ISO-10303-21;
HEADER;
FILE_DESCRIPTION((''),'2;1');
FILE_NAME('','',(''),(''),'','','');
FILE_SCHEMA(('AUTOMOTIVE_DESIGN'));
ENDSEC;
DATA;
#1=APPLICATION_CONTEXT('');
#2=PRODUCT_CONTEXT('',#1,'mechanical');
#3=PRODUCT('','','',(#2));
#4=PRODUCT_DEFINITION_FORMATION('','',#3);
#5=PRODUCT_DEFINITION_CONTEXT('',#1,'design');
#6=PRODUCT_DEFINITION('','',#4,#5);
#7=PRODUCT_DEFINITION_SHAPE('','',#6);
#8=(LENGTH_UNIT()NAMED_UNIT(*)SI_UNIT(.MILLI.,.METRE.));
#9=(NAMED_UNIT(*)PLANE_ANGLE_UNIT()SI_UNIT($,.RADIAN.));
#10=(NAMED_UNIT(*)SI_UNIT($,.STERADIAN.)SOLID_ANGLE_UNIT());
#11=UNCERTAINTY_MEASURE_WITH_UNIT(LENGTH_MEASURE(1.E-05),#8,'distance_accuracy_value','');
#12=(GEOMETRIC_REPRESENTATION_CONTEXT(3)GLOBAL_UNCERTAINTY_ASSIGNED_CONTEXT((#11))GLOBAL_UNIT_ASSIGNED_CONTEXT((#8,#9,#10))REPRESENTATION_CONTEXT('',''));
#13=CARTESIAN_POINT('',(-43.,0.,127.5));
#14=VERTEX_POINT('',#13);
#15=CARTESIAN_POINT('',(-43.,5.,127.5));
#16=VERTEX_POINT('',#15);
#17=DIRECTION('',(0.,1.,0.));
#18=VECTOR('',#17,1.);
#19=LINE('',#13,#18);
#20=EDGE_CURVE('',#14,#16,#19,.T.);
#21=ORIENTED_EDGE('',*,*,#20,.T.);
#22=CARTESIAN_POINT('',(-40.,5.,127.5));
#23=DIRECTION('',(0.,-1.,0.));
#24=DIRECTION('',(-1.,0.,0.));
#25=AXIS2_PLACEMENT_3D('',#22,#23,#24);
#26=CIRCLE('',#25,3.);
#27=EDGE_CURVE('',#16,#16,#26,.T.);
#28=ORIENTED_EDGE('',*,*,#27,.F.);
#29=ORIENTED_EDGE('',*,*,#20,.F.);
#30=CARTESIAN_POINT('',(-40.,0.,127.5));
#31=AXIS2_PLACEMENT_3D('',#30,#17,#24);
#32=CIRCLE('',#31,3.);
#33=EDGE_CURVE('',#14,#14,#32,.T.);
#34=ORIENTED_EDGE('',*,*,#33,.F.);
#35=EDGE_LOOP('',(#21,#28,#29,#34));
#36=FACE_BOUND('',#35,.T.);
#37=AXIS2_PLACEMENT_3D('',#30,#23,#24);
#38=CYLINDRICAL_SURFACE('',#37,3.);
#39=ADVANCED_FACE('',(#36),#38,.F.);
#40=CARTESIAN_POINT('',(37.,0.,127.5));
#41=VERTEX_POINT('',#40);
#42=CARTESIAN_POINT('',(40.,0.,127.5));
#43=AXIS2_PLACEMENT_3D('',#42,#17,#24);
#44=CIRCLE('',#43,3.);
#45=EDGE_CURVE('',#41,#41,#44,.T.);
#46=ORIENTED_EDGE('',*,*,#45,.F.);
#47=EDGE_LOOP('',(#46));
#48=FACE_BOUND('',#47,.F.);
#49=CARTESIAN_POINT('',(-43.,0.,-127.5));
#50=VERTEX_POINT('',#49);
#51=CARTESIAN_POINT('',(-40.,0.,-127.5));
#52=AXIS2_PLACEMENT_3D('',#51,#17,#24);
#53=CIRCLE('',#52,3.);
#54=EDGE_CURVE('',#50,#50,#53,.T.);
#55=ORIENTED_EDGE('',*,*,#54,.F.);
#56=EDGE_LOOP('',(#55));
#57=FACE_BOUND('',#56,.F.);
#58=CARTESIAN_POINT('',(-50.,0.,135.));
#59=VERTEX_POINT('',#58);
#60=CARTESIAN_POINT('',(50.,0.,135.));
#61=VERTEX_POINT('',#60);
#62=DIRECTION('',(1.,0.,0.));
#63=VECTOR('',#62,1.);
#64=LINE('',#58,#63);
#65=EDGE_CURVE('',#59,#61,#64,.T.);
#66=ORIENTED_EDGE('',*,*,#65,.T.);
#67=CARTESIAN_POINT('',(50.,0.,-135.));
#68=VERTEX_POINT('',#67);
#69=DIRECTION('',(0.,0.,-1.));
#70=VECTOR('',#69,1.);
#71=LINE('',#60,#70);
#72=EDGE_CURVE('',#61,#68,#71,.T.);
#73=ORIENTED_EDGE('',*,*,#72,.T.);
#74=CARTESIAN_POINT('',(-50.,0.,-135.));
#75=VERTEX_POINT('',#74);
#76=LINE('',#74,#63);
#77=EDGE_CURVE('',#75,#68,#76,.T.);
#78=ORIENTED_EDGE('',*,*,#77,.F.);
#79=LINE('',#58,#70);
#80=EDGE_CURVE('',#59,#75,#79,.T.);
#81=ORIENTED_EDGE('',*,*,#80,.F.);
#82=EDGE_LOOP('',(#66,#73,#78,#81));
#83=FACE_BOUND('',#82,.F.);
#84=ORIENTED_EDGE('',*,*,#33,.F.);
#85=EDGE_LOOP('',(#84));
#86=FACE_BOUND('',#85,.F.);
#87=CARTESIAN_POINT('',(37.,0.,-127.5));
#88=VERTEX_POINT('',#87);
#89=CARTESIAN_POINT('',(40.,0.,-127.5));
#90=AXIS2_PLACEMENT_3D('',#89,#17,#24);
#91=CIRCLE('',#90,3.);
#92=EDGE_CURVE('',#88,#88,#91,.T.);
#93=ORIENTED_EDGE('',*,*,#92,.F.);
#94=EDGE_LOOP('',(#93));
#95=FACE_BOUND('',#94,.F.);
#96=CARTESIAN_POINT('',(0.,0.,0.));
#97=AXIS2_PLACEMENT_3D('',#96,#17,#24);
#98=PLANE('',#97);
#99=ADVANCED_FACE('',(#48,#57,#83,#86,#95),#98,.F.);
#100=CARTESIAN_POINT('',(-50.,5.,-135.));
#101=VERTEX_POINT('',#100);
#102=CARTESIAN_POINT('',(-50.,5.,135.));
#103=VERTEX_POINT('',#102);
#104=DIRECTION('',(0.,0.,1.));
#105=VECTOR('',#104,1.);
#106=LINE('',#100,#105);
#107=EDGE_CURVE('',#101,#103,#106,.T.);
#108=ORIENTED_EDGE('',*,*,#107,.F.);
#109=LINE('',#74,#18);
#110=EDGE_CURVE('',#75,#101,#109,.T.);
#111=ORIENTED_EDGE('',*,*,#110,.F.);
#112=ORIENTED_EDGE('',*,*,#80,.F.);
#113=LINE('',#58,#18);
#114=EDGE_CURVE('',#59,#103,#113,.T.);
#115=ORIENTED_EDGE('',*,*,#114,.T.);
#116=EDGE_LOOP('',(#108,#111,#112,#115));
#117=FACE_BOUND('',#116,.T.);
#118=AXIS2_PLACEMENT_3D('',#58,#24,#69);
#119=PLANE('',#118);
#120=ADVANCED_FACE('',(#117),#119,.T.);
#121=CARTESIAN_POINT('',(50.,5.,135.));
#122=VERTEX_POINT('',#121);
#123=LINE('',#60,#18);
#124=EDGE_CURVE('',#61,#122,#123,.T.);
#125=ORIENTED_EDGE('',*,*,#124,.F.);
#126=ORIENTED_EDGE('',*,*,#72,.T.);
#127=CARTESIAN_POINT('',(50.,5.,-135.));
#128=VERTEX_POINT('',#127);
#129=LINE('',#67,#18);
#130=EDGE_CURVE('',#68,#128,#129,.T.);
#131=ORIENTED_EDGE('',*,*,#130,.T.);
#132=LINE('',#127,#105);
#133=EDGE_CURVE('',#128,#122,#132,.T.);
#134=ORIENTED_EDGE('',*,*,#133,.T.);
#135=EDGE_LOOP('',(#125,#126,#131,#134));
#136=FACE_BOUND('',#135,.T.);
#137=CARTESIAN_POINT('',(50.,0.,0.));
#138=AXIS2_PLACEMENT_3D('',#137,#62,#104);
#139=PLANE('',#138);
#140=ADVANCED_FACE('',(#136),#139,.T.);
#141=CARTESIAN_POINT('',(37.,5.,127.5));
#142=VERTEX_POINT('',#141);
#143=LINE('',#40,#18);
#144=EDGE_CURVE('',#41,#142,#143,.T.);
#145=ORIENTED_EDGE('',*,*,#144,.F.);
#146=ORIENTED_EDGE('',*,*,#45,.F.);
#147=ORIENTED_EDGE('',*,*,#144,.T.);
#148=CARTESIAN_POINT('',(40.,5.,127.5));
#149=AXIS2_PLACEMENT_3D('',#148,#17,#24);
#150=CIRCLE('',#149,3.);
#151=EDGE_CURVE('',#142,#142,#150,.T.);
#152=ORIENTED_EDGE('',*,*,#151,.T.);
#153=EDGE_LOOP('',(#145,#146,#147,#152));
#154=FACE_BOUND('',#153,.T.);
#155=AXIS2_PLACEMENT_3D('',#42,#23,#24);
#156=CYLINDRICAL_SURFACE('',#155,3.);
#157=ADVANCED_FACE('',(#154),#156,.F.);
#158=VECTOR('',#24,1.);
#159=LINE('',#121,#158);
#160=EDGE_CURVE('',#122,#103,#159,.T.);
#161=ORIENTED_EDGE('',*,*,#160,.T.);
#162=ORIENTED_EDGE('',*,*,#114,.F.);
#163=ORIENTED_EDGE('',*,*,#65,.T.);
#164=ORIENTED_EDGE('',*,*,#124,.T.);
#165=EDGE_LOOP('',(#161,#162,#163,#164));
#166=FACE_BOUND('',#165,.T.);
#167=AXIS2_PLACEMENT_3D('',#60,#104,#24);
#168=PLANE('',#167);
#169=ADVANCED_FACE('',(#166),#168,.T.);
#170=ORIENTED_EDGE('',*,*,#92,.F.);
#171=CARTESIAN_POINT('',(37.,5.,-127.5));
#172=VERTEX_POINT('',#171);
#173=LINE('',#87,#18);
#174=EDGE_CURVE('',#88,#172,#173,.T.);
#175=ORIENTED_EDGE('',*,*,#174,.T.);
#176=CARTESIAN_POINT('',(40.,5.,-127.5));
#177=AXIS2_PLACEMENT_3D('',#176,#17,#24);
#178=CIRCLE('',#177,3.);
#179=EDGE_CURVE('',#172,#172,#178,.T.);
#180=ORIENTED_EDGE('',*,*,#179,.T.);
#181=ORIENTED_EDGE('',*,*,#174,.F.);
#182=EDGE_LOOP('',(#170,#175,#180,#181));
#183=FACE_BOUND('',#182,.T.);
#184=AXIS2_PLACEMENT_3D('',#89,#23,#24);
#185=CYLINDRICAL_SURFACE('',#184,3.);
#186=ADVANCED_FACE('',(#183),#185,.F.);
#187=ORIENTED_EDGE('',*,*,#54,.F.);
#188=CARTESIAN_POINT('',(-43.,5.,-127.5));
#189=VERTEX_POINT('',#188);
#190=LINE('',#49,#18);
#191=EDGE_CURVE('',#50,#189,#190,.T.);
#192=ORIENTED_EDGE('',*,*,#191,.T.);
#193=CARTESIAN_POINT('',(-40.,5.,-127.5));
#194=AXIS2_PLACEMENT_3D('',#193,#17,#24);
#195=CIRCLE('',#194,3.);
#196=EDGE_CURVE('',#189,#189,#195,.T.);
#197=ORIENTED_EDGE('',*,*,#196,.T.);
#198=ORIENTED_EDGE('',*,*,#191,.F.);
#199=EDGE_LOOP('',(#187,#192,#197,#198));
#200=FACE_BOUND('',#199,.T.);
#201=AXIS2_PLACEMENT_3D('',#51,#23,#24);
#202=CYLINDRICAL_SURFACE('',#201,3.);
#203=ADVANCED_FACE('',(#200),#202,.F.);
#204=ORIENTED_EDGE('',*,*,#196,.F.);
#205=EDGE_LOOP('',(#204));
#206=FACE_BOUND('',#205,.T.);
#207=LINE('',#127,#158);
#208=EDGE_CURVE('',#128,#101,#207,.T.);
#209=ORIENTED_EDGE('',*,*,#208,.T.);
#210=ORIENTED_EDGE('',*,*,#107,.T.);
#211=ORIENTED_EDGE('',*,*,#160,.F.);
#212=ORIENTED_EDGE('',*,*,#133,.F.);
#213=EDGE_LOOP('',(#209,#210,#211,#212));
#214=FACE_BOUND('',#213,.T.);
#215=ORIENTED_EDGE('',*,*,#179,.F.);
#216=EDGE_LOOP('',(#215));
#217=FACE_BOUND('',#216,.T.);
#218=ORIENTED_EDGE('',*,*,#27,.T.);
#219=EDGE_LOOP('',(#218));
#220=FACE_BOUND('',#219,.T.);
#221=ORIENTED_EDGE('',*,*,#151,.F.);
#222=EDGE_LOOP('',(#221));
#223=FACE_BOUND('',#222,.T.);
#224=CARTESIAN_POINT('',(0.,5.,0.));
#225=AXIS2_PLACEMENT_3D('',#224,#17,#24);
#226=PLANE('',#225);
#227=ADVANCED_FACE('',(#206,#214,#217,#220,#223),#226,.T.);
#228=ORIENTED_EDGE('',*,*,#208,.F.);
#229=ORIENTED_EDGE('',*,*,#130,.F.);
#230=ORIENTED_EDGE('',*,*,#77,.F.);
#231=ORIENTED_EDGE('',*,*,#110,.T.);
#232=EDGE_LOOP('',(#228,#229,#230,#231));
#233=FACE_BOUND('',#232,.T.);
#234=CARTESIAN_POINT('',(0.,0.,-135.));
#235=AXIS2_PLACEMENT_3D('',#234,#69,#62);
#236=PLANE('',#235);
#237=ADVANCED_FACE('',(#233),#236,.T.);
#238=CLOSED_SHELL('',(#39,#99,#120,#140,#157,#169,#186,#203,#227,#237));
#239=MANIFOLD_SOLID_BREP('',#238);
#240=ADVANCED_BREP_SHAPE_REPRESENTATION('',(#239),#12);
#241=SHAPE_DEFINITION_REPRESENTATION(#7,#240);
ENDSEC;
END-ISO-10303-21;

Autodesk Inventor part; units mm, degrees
ref_plane "YZ Plane" through (0, 0, 0) normal (1, 0, 0) x (0, 1, 0)
ref_plane "XZ Plane" through (0, 0, 0) normal (0, 1, 0) x (-1, 0, 0)
ref_plane "XY Plane" through (0, 0, 0) normal (0, 0, 1) x (1, 0, 0)
sketch "Sketch1" plane through (0, 0, 0) normal (0, 1, 0) x (-1, 0, 0)
  line L0 (0, 0) -> (0, 135)
  line L1 (0, 135) -> (0, -135)
  line L2 (0, -135) -> (50, -135)
  line L3 (50, -135) -> (-50, -135)
  line L4 (-50, -135) -> (-50, 135)
  line L5 (-50, 135) -> (50, 135)
  line L6 (50, 135) -> (50, -135)
  line L7 (50, 135) -> (50, 127.5)
  line L8 (50, 127.5) -> (40, 127.5)
  circle A0 centre (40, 127.5) radius 3
  line L9 (40, 127.5) -> (-40, 127.5)
  circle A1 centre (-40, 127.5) radius 3
  line L10 (50, 0) -> (-50, 0)
  circle A2 centre (40, -127.5) radius 3
  circle A3 centre (-40, -127.5) radius 3
  dimension "d0" = 135
  dimension "d1" = 270
  dimension "d2" = 50
  dimension "d3" = 100
  dimension "d4" = 7.5
  dimension "d5" = 10
  dimension "d6" = 6
  dimension "d7" = 80
  dimension "d8" = 6
extrude "Extrusion1" add sketch "Sketch1" along normal blind 5 contours L10 L4 L5 L0 | L10 L6 L2 L1 | L0 L9 A0 L8 L6 L10 | L1 L3 L4 L10 | L0 L5 L6 L8 A0 L9
properties part number "side_front"
